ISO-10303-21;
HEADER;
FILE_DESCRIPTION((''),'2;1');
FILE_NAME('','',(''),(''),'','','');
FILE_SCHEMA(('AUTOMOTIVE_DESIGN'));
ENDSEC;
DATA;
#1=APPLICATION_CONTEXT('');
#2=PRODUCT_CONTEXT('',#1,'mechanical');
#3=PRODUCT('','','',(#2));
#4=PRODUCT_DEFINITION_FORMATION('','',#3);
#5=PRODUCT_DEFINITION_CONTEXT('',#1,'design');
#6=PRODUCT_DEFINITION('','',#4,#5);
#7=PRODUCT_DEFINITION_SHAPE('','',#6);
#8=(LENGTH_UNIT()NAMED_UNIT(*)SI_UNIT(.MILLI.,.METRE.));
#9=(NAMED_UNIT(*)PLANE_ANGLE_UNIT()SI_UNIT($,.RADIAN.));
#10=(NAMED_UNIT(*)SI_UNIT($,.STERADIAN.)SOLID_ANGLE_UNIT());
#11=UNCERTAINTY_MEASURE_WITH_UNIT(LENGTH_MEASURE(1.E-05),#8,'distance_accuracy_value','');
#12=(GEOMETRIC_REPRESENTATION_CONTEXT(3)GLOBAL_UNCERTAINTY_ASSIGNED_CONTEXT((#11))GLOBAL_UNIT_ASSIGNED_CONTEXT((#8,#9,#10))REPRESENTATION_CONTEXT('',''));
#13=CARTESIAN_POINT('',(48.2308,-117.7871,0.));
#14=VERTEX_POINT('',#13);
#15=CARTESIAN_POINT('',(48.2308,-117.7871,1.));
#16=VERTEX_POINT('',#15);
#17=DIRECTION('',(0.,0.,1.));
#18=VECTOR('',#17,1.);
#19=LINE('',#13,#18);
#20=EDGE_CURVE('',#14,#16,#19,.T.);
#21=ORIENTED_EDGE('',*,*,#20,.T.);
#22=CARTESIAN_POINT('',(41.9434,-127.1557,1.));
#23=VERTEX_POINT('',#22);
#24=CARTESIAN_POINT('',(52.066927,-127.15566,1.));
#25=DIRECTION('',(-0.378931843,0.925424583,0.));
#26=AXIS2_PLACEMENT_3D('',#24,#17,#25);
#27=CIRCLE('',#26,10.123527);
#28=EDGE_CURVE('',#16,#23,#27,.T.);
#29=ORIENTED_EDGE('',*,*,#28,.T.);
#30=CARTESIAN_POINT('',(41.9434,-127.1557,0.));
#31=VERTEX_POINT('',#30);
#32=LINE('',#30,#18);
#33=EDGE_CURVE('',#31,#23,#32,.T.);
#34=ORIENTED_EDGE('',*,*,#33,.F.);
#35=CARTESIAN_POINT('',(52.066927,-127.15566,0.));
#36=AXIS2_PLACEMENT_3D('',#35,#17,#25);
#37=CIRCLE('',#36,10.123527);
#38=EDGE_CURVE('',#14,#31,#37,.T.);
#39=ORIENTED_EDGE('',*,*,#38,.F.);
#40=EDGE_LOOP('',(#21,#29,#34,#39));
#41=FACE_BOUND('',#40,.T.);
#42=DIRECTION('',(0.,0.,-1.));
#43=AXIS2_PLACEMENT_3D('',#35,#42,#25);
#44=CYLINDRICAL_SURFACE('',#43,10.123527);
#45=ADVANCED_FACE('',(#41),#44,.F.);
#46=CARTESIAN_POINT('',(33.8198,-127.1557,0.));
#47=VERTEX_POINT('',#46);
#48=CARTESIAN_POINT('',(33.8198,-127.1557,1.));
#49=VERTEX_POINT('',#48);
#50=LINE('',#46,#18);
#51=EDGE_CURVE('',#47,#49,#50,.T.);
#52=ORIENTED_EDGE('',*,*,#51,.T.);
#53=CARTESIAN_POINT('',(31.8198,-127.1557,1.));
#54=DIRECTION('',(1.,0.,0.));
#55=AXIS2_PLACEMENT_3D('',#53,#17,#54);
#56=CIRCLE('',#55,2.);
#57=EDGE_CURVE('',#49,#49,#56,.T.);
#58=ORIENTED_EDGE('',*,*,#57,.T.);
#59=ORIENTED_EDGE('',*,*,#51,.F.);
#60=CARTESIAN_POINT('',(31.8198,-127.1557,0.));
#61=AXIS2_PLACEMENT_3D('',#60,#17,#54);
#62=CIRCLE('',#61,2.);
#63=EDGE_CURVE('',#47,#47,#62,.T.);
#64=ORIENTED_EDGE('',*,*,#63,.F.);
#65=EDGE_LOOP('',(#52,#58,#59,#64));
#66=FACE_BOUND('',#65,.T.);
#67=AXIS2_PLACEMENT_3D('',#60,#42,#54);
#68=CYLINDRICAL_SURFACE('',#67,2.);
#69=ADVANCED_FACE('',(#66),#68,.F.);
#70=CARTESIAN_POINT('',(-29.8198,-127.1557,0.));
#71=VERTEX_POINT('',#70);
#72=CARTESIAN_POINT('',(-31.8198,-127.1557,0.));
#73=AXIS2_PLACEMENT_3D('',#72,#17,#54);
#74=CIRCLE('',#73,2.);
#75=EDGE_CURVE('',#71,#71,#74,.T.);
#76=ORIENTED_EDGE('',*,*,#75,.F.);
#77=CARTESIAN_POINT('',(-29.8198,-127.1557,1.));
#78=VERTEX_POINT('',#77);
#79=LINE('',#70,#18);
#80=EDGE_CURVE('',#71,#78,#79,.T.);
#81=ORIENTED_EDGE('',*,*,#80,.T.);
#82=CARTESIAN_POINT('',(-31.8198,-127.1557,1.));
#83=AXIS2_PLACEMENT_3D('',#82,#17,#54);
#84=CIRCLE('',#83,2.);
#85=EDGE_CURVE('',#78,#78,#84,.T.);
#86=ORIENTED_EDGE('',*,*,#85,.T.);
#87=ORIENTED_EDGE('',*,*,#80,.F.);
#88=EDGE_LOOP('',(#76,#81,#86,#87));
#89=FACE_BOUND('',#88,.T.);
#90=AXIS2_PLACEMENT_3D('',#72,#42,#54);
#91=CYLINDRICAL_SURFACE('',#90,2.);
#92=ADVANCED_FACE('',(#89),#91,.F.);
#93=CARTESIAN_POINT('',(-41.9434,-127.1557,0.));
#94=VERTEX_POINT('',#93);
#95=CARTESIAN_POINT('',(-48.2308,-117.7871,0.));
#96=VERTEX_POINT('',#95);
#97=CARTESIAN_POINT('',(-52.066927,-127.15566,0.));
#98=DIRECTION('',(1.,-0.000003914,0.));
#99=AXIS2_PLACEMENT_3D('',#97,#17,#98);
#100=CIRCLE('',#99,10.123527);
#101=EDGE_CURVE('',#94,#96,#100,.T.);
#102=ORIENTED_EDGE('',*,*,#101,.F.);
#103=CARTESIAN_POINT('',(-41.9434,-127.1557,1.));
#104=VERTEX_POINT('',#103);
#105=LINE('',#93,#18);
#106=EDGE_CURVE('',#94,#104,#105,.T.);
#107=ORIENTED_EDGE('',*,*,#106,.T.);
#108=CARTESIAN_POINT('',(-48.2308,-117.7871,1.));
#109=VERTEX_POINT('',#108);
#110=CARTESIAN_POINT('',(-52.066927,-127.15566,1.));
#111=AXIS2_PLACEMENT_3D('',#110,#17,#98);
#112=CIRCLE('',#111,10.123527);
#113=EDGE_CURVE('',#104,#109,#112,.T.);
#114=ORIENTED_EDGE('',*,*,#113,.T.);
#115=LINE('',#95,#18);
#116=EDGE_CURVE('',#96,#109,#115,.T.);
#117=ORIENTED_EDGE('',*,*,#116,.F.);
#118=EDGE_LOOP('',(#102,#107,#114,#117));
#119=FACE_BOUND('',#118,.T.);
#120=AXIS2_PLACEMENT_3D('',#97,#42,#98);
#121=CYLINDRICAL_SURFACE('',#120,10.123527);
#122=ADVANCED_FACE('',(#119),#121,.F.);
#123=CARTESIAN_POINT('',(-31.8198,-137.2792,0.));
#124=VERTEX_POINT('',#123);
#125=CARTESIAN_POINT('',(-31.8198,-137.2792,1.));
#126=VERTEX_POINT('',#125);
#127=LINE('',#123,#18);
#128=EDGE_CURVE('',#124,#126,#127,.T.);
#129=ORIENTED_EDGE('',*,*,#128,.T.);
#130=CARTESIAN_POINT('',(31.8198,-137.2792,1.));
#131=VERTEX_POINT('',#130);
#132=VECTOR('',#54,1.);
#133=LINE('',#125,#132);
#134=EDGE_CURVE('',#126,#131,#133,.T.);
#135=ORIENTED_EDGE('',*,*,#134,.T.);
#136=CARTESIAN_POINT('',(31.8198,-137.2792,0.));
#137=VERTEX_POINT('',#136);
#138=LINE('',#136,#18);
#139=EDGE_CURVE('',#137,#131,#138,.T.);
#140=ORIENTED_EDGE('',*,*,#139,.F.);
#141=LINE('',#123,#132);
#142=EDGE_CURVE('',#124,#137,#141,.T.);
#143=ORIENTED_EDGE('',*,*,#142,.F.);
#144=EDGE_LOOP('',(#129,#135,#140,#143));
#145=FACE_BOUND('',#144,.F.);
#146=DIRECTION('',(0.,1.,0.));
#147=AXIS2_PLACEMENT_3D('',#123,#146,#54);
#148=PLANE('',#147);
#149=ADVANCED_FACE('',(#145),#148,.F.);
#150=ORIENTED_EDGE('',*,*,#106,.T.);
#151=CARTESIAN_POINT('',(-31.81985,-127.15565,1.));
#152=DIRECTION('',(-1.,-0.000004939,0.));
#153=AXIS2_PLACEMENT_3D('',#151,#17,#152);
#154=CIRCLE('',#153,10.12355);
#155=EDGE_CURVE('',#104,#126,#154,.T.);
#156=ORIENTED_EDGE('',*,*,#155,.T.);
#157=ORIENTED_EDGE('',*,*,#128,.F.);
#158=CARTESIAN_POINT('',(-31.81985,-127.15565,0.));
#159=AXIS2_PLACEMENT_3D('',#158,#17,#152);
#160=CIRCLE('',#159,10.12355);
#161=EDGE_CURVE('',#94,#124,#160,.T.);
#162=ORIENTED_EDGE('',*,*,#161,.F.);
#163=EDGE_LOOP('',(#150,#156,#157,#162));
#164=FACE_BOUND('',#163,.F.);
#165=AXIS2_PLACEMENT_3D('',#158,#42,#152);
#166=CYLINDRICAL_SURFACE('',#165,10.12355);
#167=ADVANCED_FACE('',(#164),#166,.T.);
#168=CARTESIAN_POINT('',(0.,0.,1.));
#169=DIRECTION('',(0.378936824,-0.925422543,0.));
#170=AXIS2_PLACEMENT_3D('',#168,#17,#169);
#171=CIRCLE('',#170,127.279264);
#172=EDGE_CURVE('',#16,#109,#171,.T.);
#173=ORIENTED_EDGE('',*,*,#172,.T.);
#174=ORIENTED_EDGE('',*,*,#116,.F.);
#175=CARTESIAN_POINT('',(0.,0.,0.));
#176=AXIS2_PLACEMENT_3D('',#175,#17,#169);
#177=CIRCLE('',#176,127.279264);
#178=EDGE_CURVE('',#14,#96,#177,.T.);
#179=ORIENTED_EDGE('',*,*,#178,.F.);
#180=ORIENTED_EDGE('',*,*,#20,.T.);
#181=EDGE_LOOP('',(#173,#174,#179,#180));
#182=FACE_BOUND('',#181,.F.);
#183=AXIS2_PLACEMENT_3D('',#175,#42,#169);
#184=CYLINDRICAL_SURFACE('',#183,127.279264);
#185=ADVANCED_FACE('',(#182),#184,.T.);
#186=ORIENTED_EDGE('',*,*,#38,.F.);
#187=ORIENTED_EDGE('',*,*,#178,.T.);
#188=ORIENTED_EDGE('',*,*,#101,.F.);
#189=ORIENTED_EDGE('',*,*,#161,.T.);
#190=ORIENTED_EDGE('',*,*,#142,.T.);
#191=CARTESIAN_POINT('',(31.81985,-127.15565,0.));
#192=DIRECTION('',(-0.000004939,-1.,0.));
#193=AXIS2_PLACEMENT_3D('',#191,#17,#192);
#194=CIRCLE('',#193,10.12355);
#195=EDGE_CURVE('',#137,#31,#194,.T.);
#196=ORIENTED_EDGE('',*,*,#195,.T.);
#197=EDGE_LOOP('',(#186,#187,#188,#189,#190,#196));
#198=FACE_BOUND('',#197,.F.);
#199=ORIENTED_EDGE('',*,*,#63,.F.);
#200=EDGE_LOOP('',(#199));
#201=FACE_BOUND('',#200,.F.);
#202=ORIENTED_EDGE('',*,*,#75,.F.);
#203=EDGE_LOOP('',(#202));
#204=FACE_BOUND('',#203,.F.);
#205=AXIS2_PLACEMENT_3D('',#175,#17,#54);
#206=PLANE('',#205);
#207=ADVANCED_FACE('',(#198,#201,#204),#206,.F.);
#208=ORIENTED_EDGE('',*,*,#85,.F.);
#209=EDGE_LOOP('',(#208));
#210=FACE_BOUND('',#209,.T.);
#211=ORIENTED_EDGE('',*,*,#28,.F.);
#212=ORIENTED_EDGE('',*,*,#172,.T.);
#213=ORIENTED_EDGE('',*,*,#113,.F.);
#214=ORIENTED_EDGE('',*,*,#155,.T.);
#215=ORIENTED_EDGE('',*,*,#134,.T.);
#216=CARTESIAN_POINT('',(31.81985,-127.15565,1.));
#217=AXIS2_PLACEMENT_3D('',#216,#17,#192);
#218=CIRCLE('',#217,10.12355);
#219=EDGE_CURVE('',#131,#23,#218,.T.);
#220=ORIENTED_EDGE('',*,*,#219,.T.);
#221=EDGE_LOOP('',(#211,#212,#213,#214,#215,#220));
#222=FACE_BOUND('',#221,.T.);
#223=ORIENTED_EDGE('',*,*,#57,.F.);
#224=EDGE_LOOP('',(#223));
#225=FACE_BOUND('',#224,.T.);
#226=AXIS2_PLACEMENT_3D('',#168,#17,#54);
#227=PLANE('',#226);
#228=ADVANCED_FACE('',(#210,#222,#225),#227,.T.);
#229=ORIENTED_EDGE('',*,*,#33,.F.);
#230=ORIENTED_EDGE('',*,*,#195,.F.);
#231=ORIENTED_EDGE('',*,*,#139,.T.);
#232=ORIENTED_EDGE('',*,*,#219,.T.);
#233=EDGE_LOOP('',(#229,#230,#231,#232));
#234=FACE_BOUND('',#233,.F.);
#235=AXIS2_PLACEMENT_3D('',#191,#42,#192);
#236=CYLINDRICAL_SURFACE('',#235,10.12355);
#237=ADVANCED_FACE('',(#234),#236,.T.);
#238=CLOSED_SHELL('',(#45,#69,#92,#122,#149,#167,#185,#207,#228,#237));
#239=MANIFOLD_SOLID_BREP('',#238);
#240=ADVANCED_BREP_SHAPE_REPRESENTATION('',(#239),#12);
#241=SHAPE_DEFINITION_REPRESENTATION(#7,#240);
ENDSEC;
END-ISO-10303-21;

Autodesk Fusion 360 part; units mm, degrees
sketch "Round Bed" plane through (0, 0, 0) normal (0, 0, 1) x (1, 0, 0)
  line L0 (-90.1561, -90.1561) -> (90.1561, -90.1561) construction
  line L1 (90.1561, -90.1561) -> (90.1561, 90.1561) construction
  line L2 (90.1561, 90.1561) -> (-90.1561, 90.1561) construction
  line L3 (-90.1561, 90.1561) -> (-90.1561, -90.1561) construction
  line L4 (-90.1561, -90.1561) -> (90.1561, 90.1561) construction
  line L5 (90.1561, -90.1561) -> (-90.1561, 90.1561) construction
  line L6 (-31.875, -137.5) -> (31.875, -137.5)
  line L7 (0, 0) -> (0, -137.5) construction
  arc A0 (-42.0024, -127.3726) -> (-31.875, -137.5) centre (-31.875, -127.3726) ccw
  arc A1 (-42.0024, -127.3726) -> (-48.2938, -117.9998) centre (-52.1298, -127.3726) ccw
  arc A2 (31.875, -137.5) -> (42.0024, -127.3726) centre (31.875, -127.3726) ccw
  arc A3 (48.2938, -117.9998) -> (42.0024, -127.3726) centre (52.1298, -127.3726) ccw
  circle A4 centre (-31.875, -127.3726) radius 2
  circle A5 centre (31.875, -127.3726) radius 2
  arc A6 (48.2938, -117.9998) -> (-48.2938, -117.9998) centre (0, 0) ccw
  dimension "d4" = 255
  dimension "d6" = 63.75
  dimension "d7" = 137.5
  dimension "d10" = 4
sketch "Square Bed" plane through (0, 0, 0) normal (0, 0, 1) x (1, 0, 0)
  line L0 (-90, -90) -> (90, 90) construction
  line L1 (90, -90) -> (-90, 90) construction
  line L2 (-31.8198, -137.2792) -> (31.8198, -137.2792)
  line L3 (90, -90) -> (90, 90) construction
  arc A0 (48.2308, -117.7871) -> (41.9434, -127.1557) centre (52.0669, -127.1557) ccw
  arc A1 (48.2308, -117.7871) -> (-48.2308, -117.7871) centre (0, 0) ccw
  line L4 (-90, 90) -> (-90, -90) construction
  arc A2 (-41.9434, -127.1557) -> (-48.2308, -117.7871) centre (-52.0669, -127.1557) ccw
  arc A3 (-41.9434, -127.1557) -> (-31.8198, -137.2792) centre (-31.8198, -127.1557) ccw
  line L5 (-90, -90) -> (90, -90) construction
  line L6 (90, 90) -> (-90, 90) construction
  circle A4 centre (-31.8198, -127.1557) radius 2
  arc A5 (31.8198, -137.2792) -> (41.9434, -127.1557) centre (31.8198, -127.1557) ccw
  circle A6 centre (31.8198, -127.1557) radius 2
  line L7 (0, 0) -> (0, -137.2792) construction
  dimension "d14" = 63.6396
  dimension "d16" = 4
  dimension "d17" = 180
  dimension "d18" = 127.2792
  dimension "d20" = 137.2792
extrude "Round Bed" [suppressed]
extrude "Square Bed (1)" add sketch "Square Bed" along normal blind 1
equation "d4 = Round_Bed_Size"
equation "d6 = d4 / 4"
equation "d7 = d4 / 2 + 10 mm"
equation "Round_Bed_Size = 255 mm"
equation "Square_Bed_Size = 180 mm"
equation "d14 = ( d18 * 2 ) / 4"
equation "d17 = Square_Bed_Size"
equation "d20 = d18 + 10 mm"
properties part number "180mm Square Bed"
